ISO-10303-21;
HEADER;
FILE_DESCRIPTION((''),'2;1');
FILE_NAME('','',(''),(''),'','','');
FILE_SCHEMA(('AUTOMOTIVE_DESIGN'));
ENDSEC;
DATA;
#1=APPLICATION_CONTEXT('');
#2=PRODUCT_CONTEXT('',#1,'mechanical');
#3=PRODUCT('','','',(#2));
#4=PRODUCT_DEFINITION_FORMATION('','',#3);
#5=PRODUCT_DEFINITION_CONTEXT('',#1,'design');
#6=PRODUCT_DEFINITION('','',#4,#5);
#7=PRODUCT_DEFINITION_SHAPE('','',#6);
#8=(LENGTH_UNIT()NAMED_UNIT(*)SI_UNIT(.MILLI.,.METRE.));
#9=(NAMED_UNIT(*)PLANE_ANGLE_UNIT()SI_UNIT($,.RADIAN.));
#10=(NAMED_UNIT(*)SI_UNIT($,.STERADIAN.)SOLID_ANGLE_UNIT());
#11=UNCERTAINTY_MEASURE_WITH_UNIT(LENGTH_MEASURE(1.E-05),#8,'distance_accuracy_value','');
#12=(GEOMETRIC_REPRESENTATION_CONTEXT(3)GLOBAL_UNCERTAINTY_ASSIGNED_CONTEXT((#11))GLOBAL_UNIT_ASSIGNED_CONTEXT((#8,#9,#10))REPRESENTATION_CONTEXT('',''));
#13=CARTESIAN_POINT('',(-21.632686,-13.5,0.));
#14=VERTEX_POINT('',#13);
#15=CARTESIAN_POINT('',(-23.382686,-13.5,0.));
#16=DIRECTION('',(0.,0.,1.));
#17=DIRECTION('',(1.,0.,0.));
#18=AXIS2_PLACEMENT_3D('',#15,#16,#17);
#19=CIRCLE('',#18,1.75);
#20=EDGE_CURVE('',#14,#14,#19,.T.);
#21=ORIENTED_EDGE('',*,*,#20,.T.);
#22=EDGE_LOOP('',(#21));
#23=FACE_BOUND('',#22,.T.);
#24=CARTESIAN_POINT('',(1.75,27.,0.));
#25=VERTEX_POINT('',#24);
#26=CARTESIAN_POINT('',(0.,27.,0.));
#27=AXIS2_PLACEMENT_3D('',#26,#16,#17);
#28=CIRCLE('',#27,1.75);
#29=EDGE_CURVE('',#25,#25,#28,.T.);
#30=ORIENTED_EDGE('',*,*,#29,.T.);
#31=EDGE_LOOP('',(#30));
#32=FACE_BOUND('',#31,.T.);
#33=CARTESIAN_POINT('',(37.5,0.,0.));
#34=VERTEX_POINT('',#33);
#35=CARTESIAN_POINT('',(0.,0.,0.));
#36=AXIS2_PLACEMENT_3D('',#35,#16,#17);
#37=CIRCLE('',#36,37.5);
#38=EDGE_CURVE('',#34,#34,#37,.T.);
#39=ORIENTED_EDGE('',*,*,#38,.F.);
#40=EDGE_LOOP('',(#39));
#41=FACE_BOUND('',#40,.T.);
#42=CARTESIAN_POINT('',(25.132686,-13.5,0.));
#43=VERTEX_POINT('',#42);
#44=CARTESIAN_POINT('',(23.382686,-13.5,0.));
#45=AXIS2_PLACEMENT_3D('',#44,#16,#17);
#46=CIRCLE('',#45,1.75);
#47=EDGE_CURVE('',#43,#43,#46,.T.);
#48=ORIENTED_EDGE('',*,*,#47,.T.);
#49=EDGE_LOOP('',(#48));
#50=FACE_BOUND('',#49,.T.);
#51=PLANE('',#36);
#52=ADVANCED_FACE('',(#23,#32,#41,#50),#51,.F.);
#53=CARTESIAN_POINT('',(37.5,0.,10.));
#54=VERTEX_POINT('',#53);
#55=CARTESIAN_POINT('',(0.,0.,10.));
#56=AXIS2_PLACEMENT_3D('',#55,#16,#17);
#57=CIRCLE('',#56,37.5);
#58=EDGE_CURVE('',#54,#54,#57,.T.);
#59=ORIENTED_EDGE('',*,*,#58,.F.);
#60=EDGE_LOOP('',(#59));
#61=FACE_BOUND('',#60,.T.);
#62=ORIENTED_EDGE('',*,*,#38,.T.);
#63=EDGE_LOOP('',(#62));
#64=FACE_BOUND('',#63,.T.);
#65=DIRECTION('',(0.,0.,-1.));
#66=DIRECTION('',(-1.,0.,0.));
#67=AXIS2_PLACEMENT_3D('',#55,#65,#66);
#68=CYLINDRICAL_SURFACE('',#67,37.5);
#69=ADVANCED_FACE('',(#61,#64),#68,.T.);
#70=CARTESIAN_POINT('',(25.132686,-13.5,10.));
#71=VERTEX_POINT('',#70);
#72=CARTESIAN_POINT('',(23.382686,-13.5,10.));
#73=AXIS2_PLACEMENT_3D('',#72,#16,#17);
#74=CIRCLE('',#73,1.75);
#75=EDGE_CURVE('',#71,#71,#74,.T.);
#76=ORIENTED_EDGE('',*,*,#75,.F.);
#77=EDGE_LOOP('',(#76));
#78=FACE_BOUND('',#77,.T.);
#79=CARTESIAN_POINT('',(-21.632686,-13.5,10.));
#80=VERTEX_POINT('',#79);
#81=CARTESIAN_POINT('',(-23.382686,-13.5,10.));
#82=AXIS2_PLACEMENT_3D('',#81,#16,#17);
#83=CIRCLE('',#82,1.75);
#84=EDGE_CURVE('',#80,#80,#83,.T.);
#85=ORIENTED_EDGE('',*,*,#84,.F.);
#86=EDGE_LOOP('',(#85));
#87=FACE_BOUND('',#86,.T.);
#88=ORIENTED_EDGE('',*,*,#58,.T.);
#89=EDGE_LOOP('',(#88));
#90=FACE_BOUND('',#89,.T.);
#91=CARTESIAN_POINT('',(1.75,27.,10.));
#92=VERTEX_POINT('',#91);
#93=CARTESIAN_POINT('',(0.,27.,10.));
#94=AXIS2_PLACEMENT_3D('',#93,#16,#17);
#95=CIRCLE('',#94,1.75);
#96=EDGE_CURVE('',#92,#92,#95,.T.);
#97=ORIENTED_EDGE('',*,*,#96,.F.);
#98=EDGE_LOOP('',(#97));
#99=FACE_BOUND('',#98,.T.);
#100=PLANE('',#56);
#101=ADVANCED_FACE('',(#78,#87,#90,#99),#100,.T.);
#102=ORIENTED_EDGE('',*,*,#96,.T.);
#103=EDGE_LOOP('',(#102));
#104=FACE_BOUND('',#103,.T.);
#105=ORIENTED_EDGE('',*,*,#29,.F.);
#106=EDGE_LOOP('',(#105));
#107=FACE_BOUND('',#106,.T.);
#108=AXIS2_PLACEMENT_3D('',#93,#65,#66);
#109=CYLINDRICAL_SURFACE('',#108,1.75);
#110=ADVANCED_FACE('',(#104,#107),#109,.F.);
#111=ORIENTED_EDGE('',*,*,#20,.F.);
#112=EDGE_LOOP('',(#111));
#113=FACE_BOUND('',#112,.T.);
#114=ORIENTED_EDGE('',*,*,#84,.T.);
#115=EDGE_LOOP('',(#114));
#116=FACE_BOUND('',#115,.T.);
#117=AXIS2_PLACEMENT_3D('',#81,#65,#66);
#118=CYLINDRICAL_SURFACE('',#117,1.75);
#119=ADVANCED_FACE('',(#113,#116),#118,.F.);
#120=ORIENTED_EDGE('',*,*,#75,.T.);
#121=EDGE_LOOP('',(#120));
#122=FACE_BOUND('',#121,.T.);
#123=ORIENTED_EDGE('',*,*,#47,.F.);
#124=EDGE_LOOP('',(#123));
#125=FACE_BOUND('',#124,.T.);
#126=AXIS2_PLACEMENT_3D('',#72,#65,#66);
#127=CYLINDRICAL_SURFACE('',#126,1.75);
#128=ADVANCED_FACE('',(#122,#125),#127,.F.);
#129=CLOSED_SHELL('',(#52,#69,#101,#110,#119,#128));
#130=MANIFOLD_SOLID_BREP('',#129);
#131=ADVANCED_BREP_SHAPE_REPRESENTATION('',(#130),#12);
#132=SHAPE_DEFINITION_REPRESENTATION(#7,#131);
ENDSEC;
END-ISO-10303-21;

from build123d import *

# Parameters (mm, degrees)
SKETCH1_R           = 37.5
SKETCH1_R_2         = 1.75
BOSS_EXTRUDE1_DEPTH = 10


with BuildPart() as part:
    # Sketch1 → Boss-Extrude1 (new body)
    with BuildSketch(Plane.XY):
        Circle(SKETCH1_R)
        with Locations((0, 27)):
            Circle(SKETCH1_R_2, mode=Mode.SUBTRACT)
        with Locations((23.382685902, -13.5)):
            Circle(SKETCH1_R_2, mode=Mode.SUBTRACT)
        with Locations((-23.382685902, -13.5)):
            Circle(SKETCH1_R_2, mode=Mode.SUBTRACT)
    extrude(amount=BOSS_EXTRUDE1_DEPTH)


solid = part.part
